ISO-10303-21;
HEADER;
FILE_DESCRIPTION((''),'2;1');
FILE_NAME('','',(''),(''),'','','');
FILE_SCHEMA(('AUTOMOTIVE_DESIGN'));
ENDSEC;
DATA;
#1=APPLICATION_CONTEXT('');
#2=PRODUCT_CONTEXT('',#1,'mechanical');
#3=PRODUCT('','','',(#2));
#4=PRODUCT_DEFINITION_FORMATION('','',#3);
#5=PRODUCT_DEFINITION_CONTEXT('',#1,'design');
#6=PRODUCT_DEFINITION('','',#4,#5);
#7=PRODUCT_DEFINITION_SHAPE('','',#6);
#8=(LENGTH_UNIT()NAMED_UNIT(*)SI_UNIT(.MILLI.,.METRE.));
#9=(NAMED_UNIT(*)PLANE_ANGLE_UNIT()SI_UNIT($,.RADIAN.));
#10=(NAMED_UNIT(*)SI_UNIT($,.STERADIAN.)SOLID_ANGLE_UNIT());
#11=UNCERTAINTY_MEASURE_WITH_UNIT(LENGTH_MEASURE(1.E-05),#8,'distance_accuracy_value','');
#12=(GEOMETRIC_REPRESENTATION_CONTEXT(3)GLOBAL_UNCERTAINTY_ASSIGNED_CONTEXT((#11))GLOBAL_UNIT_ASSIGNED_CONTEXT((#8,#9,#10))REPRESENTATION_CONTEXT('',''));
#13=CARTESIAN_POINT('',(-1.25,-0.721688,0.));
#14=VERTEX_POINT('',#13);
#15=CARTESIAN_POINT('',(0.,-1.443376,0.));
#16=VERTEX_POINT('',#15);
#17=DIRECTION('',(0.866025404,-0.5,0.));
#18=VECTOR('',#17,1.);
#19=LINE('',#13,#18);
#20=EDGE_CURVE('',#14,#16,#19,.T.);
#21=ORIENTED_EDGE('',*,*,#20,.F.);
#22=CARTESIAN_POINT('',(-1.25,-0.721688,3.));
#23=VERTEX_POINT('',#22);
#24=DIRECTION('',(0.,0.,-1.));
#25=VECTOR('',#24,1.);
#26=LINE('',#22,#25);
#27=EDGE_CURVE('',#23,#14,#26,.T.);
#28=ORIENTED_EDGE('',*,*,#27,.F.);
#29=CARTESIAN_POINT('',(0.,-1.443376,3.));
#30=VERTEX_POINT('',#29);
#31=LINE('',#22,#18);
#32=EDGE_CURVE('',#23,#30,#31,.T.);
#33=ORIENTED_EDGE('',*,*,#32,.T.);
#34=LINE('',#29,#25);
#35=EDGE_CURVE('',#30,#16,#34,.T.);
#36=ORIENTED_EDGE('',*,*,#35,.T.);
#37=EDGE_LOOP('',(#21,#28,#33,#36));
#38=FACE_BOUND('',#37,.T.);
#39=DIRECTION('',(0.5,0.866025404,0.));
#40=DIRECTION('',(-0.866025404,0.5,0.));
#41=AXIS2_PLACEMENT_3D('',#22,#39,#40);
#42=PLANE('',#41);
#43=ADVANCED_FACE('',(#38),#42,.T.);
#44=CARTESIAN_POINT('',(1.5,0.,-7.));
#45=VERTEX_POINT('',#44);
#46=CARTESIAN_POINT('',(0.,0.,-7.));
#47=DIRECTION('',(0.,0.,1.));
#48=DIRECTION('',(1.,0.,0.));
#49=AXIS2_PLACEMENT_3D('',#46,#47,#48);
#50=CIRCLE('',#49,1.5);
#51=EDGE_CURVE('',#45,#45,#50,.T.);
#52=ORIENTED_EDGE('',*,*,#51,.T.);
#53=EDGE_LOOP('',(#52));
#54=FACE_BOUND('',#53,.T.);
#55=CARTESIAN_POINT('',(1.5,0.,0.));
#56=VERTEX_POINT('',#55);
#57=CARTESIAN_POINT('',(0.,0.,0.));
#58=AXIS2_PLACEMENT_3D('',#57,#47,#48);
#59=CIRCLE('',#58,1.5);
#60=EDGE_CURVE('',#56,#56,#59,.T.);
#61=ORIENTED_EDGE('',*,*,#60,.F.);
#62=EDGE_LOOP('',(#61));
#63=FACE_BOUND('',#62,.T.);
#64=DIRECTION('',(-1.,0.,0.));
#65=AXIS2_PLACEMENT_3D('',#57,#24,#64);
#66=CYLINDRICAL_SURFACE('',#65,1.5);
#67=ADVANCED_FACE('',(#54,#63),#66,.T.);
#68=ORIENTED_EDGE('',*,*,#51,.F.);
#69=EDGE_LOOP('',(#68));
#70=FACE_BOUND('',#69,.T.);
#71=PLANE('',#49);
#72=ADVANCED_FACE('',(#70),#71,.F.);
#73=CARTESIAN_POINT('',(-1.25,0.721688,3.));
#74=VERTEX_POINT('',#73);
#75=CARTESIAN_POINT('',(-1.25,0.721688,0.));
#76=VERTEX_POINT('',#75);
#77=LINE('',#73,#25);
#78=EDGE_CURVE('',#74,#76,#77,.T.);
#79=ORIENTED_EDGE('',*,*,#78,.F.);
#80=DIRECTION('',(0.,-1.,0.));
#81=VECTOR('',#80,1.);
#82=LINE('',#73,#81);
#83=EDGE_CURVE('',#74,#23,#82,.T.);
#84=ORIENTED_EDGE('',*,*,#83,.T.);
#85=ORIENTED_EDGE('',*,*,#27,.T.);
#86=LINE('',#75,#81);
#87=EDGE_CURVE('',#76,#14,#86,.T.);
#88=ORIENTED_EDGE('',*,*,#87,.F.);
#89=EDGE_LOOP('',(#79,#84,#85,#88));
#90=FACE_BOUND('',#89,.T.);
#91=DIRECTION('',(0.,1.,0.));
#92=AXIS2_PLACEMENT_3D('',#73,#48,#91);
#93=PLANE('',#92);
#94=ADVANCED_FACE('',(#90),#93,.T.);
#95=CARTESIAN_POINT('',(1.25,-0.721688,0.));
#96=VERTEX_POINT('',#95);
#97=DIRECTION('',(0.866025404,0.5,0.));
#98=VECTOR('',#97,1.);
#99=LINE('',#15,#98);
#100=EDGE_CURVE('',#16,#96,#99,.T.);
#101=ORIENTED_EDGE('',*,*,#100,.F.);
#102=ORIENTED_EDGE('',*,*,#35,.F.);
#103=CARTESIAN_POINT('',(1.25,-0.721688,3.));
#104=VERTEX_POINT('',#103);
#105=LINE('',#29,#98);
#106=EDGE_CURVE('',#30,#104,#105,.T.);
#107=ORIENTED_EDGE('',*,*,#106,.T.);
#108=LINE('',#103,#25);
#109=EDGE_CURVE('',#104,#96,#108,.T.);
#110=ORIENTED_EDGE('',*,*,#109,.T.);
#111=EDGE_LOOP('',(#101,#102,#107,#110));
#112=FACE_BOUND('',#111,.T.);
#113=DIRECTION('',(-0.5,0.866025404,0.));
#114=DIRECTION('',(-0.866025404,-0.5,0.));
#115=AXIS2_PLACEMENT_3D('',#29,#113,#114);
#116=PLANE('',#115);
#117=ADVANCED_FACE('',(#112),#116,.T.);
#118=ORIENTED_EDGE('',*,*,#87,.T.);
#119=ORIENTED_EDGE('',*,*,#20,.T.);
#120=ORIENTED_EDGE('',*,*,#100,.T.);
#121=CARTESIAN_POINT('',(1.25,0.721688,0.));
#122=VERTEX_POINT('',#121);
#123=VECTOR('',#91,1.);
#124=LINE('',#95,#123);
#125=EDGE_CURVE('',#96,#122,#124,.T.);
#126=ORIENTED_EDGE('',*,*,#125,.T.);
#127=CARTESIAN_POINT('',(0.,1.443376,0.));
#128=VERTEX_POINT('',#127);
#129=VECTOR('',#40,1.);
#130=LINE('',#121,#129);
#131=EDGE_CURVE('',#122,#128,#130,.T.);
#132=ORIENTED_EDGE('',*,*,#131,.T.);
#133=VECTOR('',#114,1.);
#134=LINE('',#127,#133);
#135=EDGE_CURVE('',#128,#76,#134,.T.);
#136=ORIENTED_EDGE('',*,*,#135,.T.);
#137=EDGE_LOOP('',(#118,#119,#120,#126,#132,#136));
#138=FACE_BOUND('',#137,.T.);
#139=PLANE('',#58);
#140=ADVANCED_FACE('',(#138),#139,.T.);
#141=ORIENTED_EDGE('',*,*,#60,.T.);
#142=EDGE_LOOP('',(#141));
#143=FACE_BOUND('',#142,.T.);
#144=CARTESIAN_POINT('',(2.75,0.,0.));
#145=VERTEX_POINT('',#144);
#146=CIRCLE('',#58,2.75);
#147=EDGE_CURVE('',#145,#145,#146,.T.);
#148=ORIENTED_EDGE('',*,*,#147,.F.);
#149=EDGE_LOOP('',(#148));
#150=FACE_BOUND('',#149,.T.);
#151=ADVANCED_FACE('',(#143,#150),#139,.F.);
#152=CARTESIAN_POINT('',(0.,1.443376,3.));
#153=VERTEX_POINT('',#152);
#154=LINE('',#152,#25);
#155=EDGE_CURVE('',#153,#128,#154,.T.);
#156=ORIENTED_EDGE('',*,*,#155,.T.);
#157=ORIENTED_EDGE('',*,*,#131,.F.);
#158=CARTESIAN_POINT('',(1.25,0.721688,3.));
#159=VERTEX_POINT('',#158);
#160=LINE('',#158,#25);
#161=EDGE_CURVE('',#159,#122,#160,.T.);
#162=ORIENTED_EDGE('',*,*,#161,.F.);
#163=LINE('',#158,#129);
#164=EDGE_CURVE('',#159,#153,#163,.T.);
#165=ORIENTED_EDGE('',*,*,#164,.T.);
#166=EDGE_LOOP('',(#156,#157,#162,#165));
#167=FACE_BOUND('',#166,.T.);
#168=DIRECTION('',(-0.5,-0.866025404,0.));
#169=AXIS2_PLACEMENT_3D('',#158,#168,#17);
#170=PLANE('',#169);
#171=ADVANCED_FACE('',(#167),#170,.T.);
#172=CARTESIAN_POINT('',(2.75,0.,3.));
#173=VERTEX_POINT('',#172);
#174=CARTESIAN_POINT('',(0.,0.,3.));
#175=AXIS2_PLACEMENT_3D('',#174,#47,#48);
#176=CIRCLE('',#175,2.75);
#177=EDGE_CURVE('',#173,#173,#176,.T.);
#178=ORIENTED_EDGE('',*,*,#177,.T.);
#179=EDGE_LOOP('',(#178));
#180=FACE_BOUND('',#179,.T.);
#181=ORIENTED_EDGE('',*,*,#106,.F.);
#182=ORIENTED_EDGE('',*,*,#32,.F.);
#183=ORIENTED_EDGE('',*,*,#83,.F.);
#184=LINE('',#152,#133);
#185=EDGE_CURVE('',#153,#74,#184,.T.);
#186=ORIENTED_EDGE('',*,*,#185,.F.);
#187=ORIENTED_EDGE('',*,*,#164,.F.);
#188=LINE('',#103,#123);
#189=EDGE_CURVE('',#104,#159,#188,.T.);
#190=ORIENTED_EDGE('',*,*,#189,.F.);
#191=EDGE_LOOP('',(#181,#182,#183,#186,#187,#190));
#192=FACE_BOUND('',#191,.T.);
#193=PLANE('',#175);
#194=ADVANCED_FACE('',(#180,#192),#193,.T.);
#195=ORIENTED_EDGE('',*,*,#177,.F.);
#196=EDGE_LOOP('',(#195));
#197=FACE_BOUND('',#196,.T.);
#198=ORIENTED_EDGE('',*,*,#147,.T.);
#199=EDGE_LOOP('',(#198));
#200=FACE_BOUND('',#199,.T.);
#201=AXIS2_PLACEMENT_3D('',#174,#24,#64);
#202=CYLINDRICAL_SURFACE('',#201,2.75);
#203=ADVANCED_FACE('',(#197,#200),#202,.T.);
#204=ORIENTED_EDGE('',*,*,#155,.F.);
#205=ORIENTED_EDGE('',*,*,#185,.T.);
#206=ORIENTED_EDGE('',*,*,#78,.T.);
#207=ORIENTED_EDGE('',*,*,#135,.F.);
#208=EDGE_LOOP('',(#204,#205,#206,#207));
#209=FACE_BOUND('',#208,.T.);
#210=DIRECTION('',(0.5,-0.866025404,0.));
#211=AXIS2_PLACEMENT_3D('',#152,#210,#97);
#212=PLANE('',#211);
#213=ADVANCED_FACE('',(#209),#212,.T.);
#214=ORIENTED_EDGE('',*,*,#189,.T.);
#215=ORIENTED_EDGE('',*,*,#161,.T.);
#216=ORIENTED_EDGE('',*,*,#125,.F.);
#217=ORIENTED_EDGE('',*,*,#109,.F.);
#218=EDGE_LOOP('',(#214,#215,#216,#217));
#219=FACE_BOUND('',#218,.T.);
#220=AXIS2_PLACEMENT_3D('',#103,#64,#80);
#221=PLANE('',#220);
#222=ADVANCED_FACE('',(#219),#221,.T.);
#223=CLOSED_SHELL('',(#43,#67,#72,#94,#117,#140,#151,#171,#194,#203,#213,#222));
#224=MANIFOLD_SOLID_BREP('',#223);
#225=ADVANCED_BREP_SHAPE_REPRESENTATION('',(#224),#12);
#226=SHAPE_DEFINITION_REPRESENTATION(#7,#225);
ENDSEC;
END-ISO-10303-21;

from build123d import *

# Parameters (mm, degrees)
THREAD_ENVELOPE_START = -7
PROFILE_1_R           = 1.5
THREAD_ENVELOPE_DEPTH = 7
PROFILE_2_R           = 2.75
SOCKET_HEAD_DEPTH     = 3


with BuildPart() as part:
    # Profile_1 → Thread_envelope (new body)
    with BuildSketch(Plane.XY.offset(THREAD_ENVELOPE_START)):
        Circle(PROFILE_1_R)
    extrude(amount=THREAD_ENVELOPE_DEPTH)

    # Profile_2 → Socket_head (add)
    with BuildSketch(Plane.XY):
        Circle(PROFILE_2_R)
        Polygon((1.25, 0.721687836), (0, 1.443375673), (-1.25, 0.721687836), (-1.25, -0.721687836), (0, -1.443375673), (1.25, -0.721687836), align=None, mode=Mode.SUBTRACT)
    extrude(amount=SOCKET_HEAD_DEPTH)


solid = part.part
